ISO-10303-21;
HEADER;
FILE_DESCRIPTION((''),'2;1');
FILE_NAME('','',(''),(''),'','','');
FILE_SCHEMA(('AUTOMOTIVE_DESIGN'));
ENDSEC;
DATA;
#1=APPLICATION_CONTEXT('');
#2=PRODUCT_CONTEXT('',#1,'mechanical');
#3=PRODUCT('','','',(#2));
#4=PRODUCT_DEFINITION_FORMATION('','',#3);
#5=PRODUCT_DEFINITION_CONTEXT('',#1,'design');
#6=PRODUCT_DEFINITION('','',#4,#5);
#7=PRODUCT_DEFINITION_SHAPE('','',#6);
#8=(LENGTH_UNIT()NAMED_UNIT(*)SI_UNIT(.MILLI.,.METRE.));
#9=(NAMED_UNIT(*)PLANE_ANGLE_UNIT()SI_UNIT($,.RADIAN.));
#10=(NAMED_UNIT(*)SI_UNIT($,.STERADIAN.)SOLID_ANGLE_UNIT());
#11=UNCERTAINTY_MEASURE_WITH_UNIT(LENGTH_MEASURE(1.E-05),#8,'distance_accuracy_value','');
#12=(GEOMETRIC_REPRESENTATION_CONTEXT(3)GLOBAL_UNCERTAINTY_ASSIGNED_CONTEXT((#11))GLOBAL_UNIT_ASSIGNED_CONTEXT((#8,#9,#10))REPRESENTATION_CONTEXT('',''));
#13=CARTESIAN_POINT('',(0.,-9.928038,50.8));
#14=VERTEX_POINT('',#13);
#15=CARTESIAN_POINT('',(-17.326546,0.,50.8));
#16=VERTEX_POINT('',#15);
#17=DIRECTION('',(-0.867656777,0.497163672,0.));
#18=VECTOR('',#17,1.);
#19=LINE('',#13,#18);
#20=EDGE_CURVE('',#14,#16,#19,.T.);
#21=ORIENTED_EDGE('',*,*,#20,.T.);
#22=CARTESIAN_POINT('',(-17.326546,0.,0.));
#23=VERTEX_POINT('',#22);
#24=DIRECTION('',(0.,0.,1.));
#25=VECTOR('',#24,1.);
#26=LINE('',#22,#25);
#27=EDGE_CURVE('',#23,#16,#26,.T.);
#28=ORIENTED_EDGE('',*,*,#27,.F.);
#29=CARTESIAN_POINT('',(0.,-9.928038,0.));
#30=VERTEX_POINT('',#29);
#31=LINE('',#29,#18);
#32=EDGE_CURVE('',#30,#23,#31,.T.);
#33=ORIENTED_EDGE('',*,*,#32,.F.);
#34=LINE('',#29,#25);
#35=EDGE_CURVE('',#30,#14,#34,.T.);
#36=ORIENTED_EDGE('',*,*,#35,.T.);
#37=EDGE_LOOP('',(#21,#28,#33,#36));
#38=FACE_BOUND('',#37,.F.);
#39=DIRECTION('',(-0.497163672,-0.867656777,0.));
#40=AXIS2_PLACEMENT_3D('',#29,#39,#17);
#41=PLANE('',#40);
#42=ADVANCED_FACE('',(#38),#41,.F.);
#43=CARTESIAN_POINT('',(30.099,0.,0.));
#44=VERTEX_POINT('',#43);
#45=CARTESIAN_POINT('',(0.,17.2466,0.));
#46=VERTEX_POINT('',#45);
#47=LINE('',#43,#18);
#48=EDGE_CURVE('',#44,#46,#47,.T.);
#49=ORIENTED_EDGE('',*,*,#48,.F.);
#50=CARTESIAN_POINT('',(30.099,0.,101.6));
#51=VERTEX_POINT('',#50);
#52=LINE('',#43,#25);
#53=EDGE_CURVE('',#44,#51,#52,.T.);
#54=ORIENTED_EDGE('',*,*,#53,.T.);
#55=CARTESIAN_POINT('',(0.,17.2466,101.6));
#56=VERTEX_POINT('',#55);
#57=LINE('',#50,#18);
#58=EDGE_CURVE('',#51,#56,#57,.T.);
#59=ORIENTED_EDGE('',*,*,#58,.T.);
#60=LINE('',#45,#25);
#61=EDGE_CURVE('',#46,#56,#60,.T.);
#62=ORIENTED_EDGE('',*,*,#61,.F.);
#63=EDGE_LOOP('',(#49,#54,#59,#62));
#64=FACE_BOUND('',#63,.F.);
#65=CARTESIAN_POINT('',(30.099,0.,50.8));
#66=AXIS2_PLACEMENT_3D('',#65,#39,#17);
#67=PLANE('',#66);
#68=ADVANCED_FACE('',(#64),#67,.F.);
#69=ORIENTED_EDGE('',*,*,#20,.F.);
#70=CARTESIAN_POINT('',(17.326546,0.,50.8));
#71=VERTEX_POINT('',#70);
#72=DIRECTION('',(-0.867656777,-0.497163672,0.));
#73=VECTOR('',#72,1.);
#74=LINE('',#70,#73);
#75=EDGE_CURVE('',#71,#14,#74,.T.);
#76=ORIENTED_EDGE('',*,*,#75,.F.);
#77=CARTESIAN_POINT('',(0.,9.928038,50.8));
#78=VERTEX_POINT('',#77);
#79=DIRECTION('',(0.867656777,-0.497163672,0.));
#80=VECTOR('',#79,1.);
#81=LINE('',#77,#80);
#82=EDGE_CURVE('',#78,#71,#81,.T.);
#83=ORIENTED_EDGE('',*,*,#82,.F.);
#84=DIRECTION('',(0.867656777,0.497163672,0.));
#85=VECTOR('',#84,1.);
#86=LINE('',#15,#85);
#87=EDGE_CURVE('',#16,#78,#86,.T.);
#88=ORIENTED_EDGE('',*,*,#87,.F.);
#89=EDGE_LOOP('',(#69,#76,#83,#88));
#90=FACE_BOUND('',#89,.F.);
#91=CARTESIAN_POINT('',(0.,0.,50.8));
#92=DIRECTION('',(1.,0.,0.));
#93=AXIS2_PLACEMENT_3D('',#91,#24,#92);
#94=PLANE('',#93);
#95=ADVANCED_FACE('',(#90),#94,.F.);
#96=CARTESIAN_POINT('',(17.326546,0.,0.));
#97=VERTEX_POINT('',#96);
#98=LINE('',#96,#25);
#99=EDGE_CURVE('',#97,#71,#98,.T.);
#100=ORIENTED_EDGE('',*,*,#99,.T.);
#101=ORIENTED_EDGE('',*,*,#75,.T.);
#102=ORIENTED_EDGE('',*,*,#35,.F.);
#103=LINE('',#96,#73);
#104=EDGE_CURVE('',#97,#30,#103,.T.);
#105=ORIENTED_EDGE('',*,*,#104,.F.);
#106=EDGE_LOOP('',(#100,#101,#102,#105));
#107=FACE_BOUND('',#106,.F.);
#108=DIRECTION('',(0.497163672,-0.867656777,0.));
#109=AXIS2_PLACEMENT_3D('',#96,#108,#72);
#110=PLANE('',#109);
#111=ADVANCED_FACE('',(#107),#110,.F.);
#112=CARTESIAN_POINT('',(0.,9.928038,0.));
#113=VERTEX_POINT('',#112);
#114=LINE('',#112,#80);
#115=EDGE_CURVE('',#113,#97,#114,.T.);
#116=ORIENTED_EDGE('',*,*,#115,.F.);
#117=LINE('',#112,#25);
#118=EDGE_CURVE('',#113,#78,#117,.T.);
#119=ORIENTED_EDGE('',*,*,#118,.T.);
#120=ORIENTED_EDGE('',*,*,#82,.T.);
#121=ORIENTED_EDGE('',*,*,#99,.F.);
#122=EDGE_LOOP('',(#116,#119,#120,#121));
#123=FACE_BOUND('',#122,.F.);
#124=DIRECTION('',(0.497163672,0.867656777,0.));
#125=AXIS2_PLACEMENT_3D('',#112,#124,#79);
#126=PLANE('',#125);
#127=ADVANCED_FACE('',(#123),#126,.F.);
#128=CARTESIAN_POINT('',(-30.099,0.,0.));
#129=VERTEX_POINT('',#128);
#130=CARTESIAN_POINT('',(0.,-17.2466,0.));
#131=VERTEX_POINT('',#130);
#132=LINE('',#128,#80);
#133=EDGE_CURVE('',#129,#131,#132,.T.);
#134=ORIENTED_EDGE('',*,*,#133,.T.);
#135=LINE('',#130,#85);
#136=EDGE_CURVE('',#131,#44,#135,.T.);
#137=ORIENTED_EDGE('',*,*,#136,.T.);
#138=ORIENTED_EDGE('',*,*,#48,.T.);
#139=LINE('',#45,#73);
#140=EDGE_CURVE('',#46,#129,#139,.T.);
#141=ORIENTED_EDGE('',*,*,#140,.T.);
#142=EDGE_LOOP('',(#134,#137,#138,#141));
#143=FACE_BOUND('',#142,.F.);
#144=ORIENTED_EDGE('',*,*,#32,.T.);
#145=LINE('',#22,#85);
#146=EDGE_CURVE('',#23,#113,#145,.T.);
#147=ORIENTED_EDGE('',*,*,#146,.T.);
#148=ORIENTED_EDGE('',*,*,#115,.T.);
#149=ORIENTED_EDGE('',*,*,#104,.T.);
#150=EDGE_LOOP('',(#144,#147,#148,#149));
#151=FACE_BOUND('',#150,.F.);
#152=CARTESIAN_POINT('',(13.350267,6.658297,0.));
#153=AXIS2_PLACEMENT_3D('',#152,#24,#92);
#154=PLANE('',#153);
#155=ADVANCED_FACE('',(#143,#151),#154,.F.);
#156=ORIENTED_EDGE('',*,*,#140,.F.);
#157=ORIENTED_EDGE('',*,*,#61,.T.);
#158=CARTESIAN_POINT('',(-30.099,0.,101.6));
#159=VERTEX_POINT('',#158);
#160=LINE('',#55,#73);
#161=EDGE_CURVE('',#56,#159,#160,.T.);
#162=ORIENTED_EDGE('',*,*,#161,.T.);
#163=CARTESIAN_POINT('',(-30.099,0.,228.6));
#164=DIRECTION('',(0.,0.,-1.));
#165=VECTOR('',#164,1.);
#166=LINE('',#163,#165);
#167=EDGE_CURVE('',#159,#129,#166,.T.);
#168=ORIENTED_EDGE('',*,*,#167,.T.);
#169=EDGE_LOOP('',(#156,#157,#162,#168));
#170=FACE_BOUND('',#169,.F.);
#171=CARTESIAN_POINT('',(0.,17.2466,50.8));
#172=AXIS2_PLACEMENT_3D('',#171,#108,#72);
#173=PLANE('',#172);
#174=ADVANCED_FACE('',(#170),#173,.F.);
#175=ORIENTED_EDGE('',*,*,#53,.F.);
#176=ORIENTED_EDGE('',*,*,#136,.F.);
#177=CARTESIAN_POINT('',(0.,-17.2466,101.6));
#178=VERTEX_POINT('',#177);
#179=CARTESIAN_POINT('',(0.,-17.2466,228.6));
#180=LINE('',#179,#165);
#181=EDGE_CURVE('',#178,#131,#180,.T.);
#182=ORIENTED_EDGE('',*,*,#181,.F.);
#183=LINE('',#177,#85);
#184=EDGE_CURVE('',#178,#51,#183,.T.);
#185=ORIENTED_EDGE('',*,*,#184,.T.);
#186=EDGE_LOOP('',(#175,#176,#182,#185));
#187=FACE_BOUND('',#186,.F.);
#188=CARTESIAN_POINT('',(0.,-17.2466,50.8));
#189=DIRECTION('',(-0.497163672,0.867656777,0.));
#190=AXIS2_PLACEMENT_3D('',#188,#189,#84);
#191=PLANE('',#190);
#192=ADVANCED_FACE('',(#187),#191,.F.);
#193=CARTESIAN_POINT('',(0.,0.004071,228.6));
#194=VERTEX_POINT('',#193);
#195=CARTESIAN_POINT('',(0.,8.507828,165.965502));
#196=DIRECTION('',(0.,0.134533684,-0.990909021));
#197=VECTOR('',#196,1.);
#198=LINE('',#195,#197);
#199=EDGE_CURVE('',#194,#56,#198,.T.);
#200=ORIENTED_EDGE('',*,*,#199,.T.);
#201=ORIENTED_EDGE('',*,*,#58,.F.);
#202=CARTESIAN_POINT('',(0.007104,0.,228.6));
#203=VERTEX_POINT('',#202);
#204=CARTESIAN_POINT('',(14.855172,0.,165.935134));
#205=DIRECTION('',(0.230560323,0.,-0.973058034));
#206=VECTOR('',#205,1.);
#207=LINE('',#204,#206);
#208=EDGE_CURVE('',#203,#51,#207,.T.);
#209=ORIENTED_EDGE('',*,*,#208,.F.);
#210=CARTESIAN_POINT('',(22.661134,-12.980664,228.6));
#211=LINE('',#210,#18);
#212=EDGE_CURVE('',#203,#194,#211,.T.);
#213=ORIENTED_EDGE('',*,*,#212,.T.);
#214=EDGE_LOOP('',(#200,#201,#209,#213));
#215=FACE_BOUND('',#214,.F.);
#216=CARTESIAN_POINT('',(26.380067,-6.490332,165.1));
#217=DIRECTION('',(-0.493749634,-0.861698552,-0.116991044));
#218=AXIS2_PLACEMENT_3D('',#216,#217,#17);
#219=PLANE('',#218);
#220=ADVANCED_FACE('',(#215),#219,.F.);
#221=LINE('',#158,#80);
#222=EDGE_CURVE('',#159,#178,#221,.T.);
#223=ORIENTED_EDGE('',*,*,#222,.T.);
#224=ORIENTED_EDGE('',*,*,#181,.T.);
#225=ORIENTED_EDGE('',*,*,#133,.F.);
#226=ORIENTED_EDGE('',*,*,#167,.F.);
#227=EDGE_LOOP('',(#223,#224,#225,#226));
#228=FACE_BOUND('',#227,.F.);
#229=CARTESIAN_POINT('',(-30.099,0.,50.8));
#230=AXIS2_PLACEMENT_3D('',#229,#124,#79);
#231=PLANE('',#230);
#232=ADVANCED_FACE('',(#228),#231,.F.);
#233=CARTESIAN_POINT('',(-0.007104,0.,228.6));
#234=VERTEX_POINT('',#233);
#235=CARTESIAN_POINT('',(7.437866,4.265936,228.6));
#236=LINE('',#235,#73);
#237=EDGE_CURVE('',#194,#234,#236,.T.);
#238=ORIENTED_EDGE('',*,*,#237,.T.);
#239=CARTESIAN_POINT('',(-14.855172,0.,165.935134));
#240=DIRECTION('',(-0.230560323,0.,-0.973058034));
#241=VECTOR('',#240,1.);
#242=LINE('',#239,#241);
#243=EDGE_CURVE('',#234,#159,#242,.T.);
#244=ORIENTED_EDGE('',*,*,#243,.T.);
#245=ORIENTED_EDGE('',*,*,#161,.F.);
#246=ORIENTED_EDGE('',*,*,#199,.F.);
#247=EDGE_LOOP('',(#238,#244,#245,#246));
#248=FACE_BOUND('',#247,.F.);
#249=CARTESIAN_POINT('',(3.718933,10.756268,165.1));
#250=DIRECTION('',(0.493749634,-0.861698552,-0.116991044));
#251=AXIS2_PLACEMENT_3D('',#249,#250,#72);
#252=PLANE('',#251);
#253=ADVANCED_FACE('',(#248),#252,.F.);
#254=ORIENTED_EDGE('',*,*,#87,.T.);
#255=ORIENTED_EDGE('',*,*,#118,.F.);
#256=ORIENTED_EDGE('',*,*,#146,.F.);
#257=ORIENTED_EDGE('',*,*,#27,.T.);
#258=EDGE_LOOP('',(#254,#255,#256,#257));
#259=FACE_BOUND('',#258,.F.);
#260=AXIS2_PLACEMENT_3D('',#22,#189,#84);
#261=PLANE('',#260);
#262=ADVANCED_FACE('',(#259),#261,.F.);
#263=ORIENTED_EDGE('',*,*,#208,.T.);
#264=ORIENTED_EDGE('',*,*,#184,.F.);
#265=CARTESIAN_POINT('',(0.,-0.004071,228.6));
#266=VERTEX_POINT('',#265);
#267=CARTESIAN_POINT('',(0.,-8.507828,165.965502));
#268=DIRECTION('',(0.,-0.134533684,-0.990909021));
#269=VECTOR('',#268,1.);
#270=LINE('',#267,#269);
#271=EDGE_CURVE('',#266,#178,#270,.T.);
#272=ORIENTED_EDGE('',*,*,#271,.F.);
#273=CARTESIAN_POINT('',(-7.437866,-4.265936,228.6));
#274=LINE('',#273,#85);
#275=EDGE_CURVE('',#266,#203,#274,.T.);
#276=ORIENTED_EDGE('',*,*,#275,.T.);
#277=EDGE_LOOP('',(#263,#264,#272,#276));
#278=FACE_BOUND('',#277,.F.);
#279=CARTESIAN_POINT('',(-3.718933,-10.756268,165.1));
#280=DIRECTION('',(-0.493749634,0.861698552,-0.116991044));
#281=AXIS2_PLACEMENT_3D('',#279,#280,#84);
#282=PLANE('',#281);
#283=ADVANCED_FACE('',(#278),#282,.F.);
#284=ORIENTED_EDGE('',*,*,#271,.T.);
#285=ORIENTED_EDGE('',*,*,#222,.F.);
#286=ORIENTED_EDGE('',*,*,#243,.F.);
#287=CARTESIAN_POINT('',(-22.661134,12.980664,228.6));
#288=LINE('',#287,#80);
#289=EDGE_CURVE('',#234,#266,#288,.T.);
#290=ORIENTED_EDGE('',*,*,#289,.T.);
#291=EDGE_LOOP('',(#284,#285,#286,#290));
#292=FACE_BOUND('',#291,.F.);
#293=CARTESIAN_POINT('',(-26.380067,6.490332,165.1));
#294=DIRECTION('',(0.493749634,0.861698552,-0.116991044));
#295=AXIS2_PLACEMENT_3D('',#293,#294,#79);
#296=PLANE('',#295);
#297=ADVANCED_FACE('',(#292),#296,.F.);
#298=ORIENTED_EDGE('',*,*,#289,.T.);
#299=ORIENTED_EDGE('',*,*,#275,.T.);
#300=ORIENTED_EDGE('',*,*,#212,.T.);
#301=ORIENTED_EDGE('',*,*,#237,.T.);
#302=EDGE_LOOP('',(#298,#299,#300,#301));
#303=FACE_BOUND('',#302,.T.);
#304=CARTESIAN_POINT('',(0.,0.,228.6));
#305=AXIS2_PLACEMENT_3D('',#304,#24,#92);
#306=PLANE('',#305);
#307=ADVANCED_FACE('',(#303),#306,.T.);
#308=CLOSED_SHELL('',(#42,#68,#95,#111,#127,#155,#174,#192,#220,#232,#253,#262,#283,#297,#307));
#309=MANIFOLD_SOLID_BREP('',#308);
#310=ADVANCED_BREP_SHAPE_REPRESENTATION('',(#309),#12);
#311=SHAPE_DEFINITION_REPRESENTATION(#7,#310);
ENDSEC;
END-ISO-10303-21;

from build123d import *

# Parameters (mm, degrees)
F1_DEPTH = 50.8
F3_DEPTH = 177.8
F4_SIZE2 = 127
F4_SIZE  = 14.96059746


with BuildPart() as f1:
    # F0 (on Top) → F1 (new body)
    with BuildSketch(Plane.XY):
        Polygon((0, 17.2466), (0, 9.9280379058), (17.3265462716, 0), (30.099, 0), align=None)
        Polygon((-30.099, 0), (-17.3265462716, 0), (0, 9.9280379058), (0, 17.2466), align=None)
        Polygon((0, -9.9280379058), (-17.3265462716, 0), (-30.099, 0), (0, -17.2466), align=None)
        Polygon((30.099, 0), (17.3265462716, 0), (0, -9.9280379058), (0, -17.2466), align=None)
    extrude(amount=F1_DEPTH)

    # F2 (on face) → F3 (join)
    with BuildSketch(Plane.XY.offset(50.8)):
        Polygon((0, -17.2466), (30.099, 0), (0, 17.2466), (-30.099, 0), align=None)
        Polygon((-17.3265462716, 0), (0, 9.9280379058), (17.3265462716, 0), (0, -9.9280379058), align=None, mode=Mode.SUBTRACT)
        Polygon((17.3265462716, 0), (0, 9.9280379058), (-17.3265462716, 0), (0, -9.9280379058), align=None)
    extrude(amount=F3_DEPTH)

    # F4
    f4_edges = [f1.edges().sort_by_distance(p)[0] for p in [
        (15.0495, -8.6233, 228.6),
        (15.0495, 8.6233, 228.6),
        (-15.0495, 8.6233, 228.6),
        (-15.0495, -8.6233, 228.6),
    ]]
    f4_side = f1.faces().sort_by_distance((0, 0, 228.6))[0]
    chamfer(f4_edges, length=F4_SIZE, length2=F4_SIZE2, reference=f4_side)


solid = f1.part
